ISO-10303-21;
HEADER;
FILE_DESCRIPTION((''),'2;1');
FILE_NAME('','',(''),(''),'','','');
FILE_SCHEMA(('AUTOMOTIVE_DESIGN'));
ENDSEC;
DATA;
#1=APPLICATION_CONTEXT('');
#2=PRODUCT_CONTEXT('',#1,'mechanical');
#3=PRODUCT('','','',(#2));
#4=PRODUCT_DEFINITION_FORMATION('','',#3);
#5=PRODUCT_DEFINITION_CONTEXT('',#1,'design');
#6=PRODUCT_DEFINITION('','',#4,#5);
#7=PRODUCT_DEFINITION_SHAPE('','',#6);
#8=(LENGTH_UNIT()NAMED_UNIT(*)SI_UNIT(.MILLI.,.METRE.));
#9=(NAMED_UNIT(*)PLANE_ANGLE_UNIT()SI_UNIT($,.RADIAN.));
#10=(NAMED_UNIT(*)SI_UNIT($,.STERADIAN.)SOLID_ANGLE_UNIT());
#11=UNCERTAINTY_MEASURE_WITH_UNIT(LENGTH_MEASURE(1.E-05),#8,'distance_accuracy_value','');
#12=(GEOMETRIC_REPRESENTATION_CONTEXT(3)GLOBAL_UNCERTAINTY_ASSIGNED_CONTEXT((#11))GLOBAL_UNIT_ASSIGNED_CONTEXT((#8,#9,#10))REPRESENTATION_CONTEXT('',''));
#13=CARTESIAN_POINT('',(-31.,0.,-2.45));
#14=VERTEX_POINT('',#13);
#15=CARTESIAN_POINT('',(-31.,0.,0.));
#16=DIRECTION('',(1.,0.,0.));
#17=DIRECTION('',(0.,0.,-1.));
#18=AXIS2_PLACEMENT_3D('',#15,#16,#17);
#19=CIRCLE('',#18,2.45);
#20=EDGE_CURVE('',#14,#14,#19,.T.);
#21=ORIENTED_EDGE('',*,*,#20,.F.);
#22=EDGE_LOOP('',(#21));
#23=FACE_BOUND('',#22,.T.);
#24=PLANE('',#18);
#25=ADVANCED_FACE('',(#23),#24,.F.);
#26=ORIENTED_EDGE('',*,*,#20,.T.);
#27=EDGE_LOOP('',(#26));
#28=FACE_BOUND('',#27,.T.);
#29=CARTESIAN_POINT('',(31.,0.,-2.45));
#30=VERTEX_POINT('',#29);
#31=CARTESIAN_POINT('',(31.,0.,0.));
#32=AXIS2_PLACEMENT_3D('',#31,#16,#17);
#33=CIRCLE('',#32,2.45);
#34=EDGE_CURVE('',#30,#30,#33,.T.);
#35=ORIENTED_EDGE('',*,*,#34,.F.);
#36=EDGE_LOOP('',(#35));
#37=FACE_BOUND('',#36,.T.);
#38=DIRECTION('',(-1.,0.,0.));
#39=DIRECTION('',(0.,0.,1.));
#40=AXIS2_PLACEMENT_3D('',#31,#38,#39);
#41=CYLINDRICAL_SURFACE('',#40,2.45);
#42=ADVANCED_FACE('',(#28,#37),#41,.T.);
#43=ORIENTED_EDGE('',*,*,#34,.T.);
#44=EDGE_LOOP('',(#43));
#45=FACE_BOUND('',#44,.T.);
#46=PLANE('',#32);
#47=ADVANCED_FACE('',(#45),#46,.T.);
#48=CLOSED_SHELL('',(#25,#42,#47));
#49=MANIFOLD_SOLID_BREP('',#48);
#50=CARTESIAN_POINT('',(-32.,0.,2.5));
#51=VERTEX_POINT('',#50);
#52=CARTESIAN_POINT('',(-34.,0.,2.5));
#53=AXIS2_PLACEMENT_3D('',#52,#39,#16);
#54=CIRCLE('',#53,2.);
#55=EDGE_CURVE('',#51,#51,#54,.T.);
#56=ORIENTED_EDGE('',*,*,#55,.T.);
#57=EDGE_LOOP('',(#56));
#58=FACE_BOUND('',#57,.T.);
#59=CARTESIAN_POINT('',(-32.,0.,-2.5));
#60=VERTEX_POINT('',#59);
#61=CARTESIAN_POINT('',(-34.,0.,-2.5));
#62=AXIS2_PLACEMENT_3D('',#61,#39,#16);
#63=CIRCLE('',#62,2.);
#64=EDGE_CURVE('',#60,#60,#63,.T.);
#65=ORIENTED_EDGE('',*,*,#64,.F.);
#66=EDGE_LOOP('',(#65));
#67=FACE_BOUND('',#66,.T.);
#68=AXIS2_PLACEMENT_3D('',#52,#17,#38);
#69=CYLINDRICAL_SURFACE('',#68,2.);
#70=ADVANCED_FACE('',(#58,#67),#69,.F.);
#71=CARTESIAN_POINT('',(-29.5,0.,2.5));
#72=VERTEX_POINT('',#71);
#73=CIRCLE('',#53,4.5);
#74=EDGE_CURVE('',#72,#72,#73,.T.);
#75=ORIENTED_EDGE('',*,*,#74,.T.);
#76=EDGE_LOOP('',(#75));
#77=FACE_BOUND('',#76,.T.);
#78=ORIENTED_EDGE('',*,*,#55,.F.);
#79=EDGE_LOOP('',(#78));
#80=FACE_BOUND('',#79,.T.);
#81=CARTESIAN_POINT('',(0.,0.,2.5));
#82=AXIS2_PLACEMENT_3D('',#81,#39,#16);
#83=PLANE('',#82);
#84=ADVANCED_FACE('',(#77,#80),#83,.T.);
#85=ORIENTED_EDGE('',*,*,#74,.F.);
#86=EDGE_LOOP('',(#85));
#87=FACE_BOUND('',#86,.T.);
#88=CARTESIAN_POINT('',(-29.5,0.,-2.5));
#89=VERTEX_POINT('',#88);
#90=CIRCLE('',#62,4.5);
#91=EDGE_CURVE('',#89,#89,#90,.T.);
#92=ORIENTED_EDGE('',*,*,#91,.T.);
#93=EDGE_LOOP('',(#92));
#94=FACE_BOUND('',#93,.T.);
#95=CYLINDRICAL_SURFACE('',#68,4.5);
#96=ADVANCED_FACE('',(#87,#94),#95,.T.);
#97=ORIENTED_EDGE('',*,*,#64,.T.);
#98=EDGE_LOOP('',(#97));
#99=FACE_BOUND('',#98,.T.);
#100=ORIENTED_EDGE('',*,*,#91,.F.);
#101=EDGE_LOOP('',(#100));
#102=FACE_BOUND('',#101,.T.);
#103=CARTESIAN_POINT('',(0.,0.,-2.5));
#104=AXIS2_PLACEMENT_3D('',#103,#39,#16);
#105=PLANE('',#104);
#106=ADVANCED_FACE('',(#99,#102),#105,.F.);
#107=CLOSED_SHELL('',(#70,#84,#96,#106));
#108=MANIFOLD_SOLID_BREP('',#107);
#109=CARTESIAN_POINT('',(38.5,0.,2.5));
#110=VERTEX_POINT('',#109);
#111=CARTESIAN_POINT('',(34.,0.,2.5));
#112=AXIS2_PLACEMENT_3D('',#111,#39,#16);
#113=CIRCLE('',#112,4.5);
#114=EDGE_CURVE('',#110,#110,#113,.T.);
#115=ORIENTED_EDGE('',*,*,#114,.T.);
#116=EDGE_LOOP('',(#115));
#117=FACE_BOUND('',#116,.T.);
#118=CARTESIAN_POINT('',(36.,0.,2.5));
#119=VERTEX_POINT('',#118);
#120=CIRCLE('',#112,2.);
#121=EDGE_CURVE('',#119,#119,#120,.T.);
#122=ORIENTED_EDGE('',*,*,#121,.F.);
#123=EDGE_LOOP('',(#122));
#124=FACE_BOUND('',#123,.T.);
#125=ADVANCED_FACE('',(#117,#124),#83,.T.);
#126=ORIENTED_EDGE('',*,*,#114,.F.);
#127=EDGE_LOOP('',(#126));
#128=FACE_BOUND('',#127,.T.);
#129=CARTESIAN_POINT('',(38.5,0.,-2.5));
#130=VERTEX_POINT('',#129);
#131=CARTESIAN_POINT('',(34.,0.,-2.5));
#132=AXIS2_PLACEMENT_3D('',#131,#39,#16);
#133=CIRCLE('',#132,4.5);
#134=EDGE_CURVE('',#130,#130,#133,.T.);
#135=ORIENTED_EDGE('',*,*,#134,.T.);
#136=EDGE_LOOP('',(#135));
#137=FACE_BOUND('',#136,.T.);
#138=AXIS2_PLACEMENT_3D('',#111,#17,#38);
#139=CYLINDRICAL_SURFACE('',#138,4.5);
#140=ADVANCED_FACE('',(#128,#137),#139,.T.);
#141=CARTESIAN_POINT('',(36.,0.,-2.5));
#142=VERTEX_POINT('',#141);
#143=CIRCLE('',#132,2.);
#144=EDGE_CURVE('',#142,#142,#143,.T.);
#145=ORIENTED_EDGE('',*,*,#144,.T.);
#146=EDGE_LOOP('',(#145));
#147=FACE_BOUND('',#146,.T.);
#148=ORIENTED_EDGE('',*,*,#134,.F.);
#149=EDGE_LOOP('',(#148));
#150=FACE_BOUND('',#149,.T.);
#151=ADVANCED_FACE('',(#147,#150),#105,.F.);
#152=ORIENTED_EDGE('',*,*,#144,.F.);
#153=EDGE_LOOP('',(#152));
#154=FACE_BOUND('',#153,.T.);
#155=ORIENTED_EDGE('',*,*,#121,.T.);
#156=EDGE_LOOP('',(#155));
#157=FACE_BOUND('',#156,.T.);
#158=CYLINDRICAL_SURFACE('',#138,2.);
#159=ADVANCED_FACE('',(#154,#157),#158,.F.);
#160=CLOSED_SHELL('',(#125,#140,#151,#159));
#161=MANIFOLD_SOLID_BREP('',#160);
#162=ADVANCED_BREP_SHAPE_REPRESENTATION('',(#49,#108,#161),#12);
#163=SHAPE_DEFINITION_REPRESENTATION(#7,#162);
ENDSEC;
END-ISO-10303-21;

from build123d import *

# Parameters (mm, degrees)
SKETCH_1_R        = 4.5
SKETCH_1_R_2      = 2
EXTRUDE_1_DEPTH   = 2.5
EXTRUDE_1_2_DEPTH = 2.5
SKETCH_2_R        = 2.45
EXTRUDE_2_DEPTH   = 31


with BuildPart() as part:
    # 草图1 → 凸台-拉伸1 (new, symmetric)
    with BuildSketch(Plane.XY):
        with Locations((34, 0)):
            Circle(SKETCH_1_R)
        with Locations((34, 0)):
            Circle(SKETCH_1_R_2, mode=Mode.SUBTRACT)
    extrude(amount=EXTRUDE_1_DEPTH, both=True)


with BuildPart() as body_2:
    # 草图1 → Extrude 1 2 (new, symmetric)
    with BuildSketch(Plane.XY):
        with Locations((-34, 0)):
            Circle(SKETCH_1_R)
        with Locations((-34, 0)):
            Circle(SKETCH_1_R_2, mode=Mode.SUBTRACT)
    extrude(amount=EXTRUDE_1_2_DEPTH, both=True)


with BuildPart() as body_3:
    # 草图2 → 凸台-拉伸2 (new, symmetric)
    with BuildSketch(Plane(origin=(0, 0, 0), x_dir=(0, 0, -1), z_dir=(1, 0, 0))):
        Circle(SKETCH_2_R)
    extrude(amount=EXTRUDE_2_DEPTH, both=True)


solid = Compound([part.part, body_2.part, body_3.part])
